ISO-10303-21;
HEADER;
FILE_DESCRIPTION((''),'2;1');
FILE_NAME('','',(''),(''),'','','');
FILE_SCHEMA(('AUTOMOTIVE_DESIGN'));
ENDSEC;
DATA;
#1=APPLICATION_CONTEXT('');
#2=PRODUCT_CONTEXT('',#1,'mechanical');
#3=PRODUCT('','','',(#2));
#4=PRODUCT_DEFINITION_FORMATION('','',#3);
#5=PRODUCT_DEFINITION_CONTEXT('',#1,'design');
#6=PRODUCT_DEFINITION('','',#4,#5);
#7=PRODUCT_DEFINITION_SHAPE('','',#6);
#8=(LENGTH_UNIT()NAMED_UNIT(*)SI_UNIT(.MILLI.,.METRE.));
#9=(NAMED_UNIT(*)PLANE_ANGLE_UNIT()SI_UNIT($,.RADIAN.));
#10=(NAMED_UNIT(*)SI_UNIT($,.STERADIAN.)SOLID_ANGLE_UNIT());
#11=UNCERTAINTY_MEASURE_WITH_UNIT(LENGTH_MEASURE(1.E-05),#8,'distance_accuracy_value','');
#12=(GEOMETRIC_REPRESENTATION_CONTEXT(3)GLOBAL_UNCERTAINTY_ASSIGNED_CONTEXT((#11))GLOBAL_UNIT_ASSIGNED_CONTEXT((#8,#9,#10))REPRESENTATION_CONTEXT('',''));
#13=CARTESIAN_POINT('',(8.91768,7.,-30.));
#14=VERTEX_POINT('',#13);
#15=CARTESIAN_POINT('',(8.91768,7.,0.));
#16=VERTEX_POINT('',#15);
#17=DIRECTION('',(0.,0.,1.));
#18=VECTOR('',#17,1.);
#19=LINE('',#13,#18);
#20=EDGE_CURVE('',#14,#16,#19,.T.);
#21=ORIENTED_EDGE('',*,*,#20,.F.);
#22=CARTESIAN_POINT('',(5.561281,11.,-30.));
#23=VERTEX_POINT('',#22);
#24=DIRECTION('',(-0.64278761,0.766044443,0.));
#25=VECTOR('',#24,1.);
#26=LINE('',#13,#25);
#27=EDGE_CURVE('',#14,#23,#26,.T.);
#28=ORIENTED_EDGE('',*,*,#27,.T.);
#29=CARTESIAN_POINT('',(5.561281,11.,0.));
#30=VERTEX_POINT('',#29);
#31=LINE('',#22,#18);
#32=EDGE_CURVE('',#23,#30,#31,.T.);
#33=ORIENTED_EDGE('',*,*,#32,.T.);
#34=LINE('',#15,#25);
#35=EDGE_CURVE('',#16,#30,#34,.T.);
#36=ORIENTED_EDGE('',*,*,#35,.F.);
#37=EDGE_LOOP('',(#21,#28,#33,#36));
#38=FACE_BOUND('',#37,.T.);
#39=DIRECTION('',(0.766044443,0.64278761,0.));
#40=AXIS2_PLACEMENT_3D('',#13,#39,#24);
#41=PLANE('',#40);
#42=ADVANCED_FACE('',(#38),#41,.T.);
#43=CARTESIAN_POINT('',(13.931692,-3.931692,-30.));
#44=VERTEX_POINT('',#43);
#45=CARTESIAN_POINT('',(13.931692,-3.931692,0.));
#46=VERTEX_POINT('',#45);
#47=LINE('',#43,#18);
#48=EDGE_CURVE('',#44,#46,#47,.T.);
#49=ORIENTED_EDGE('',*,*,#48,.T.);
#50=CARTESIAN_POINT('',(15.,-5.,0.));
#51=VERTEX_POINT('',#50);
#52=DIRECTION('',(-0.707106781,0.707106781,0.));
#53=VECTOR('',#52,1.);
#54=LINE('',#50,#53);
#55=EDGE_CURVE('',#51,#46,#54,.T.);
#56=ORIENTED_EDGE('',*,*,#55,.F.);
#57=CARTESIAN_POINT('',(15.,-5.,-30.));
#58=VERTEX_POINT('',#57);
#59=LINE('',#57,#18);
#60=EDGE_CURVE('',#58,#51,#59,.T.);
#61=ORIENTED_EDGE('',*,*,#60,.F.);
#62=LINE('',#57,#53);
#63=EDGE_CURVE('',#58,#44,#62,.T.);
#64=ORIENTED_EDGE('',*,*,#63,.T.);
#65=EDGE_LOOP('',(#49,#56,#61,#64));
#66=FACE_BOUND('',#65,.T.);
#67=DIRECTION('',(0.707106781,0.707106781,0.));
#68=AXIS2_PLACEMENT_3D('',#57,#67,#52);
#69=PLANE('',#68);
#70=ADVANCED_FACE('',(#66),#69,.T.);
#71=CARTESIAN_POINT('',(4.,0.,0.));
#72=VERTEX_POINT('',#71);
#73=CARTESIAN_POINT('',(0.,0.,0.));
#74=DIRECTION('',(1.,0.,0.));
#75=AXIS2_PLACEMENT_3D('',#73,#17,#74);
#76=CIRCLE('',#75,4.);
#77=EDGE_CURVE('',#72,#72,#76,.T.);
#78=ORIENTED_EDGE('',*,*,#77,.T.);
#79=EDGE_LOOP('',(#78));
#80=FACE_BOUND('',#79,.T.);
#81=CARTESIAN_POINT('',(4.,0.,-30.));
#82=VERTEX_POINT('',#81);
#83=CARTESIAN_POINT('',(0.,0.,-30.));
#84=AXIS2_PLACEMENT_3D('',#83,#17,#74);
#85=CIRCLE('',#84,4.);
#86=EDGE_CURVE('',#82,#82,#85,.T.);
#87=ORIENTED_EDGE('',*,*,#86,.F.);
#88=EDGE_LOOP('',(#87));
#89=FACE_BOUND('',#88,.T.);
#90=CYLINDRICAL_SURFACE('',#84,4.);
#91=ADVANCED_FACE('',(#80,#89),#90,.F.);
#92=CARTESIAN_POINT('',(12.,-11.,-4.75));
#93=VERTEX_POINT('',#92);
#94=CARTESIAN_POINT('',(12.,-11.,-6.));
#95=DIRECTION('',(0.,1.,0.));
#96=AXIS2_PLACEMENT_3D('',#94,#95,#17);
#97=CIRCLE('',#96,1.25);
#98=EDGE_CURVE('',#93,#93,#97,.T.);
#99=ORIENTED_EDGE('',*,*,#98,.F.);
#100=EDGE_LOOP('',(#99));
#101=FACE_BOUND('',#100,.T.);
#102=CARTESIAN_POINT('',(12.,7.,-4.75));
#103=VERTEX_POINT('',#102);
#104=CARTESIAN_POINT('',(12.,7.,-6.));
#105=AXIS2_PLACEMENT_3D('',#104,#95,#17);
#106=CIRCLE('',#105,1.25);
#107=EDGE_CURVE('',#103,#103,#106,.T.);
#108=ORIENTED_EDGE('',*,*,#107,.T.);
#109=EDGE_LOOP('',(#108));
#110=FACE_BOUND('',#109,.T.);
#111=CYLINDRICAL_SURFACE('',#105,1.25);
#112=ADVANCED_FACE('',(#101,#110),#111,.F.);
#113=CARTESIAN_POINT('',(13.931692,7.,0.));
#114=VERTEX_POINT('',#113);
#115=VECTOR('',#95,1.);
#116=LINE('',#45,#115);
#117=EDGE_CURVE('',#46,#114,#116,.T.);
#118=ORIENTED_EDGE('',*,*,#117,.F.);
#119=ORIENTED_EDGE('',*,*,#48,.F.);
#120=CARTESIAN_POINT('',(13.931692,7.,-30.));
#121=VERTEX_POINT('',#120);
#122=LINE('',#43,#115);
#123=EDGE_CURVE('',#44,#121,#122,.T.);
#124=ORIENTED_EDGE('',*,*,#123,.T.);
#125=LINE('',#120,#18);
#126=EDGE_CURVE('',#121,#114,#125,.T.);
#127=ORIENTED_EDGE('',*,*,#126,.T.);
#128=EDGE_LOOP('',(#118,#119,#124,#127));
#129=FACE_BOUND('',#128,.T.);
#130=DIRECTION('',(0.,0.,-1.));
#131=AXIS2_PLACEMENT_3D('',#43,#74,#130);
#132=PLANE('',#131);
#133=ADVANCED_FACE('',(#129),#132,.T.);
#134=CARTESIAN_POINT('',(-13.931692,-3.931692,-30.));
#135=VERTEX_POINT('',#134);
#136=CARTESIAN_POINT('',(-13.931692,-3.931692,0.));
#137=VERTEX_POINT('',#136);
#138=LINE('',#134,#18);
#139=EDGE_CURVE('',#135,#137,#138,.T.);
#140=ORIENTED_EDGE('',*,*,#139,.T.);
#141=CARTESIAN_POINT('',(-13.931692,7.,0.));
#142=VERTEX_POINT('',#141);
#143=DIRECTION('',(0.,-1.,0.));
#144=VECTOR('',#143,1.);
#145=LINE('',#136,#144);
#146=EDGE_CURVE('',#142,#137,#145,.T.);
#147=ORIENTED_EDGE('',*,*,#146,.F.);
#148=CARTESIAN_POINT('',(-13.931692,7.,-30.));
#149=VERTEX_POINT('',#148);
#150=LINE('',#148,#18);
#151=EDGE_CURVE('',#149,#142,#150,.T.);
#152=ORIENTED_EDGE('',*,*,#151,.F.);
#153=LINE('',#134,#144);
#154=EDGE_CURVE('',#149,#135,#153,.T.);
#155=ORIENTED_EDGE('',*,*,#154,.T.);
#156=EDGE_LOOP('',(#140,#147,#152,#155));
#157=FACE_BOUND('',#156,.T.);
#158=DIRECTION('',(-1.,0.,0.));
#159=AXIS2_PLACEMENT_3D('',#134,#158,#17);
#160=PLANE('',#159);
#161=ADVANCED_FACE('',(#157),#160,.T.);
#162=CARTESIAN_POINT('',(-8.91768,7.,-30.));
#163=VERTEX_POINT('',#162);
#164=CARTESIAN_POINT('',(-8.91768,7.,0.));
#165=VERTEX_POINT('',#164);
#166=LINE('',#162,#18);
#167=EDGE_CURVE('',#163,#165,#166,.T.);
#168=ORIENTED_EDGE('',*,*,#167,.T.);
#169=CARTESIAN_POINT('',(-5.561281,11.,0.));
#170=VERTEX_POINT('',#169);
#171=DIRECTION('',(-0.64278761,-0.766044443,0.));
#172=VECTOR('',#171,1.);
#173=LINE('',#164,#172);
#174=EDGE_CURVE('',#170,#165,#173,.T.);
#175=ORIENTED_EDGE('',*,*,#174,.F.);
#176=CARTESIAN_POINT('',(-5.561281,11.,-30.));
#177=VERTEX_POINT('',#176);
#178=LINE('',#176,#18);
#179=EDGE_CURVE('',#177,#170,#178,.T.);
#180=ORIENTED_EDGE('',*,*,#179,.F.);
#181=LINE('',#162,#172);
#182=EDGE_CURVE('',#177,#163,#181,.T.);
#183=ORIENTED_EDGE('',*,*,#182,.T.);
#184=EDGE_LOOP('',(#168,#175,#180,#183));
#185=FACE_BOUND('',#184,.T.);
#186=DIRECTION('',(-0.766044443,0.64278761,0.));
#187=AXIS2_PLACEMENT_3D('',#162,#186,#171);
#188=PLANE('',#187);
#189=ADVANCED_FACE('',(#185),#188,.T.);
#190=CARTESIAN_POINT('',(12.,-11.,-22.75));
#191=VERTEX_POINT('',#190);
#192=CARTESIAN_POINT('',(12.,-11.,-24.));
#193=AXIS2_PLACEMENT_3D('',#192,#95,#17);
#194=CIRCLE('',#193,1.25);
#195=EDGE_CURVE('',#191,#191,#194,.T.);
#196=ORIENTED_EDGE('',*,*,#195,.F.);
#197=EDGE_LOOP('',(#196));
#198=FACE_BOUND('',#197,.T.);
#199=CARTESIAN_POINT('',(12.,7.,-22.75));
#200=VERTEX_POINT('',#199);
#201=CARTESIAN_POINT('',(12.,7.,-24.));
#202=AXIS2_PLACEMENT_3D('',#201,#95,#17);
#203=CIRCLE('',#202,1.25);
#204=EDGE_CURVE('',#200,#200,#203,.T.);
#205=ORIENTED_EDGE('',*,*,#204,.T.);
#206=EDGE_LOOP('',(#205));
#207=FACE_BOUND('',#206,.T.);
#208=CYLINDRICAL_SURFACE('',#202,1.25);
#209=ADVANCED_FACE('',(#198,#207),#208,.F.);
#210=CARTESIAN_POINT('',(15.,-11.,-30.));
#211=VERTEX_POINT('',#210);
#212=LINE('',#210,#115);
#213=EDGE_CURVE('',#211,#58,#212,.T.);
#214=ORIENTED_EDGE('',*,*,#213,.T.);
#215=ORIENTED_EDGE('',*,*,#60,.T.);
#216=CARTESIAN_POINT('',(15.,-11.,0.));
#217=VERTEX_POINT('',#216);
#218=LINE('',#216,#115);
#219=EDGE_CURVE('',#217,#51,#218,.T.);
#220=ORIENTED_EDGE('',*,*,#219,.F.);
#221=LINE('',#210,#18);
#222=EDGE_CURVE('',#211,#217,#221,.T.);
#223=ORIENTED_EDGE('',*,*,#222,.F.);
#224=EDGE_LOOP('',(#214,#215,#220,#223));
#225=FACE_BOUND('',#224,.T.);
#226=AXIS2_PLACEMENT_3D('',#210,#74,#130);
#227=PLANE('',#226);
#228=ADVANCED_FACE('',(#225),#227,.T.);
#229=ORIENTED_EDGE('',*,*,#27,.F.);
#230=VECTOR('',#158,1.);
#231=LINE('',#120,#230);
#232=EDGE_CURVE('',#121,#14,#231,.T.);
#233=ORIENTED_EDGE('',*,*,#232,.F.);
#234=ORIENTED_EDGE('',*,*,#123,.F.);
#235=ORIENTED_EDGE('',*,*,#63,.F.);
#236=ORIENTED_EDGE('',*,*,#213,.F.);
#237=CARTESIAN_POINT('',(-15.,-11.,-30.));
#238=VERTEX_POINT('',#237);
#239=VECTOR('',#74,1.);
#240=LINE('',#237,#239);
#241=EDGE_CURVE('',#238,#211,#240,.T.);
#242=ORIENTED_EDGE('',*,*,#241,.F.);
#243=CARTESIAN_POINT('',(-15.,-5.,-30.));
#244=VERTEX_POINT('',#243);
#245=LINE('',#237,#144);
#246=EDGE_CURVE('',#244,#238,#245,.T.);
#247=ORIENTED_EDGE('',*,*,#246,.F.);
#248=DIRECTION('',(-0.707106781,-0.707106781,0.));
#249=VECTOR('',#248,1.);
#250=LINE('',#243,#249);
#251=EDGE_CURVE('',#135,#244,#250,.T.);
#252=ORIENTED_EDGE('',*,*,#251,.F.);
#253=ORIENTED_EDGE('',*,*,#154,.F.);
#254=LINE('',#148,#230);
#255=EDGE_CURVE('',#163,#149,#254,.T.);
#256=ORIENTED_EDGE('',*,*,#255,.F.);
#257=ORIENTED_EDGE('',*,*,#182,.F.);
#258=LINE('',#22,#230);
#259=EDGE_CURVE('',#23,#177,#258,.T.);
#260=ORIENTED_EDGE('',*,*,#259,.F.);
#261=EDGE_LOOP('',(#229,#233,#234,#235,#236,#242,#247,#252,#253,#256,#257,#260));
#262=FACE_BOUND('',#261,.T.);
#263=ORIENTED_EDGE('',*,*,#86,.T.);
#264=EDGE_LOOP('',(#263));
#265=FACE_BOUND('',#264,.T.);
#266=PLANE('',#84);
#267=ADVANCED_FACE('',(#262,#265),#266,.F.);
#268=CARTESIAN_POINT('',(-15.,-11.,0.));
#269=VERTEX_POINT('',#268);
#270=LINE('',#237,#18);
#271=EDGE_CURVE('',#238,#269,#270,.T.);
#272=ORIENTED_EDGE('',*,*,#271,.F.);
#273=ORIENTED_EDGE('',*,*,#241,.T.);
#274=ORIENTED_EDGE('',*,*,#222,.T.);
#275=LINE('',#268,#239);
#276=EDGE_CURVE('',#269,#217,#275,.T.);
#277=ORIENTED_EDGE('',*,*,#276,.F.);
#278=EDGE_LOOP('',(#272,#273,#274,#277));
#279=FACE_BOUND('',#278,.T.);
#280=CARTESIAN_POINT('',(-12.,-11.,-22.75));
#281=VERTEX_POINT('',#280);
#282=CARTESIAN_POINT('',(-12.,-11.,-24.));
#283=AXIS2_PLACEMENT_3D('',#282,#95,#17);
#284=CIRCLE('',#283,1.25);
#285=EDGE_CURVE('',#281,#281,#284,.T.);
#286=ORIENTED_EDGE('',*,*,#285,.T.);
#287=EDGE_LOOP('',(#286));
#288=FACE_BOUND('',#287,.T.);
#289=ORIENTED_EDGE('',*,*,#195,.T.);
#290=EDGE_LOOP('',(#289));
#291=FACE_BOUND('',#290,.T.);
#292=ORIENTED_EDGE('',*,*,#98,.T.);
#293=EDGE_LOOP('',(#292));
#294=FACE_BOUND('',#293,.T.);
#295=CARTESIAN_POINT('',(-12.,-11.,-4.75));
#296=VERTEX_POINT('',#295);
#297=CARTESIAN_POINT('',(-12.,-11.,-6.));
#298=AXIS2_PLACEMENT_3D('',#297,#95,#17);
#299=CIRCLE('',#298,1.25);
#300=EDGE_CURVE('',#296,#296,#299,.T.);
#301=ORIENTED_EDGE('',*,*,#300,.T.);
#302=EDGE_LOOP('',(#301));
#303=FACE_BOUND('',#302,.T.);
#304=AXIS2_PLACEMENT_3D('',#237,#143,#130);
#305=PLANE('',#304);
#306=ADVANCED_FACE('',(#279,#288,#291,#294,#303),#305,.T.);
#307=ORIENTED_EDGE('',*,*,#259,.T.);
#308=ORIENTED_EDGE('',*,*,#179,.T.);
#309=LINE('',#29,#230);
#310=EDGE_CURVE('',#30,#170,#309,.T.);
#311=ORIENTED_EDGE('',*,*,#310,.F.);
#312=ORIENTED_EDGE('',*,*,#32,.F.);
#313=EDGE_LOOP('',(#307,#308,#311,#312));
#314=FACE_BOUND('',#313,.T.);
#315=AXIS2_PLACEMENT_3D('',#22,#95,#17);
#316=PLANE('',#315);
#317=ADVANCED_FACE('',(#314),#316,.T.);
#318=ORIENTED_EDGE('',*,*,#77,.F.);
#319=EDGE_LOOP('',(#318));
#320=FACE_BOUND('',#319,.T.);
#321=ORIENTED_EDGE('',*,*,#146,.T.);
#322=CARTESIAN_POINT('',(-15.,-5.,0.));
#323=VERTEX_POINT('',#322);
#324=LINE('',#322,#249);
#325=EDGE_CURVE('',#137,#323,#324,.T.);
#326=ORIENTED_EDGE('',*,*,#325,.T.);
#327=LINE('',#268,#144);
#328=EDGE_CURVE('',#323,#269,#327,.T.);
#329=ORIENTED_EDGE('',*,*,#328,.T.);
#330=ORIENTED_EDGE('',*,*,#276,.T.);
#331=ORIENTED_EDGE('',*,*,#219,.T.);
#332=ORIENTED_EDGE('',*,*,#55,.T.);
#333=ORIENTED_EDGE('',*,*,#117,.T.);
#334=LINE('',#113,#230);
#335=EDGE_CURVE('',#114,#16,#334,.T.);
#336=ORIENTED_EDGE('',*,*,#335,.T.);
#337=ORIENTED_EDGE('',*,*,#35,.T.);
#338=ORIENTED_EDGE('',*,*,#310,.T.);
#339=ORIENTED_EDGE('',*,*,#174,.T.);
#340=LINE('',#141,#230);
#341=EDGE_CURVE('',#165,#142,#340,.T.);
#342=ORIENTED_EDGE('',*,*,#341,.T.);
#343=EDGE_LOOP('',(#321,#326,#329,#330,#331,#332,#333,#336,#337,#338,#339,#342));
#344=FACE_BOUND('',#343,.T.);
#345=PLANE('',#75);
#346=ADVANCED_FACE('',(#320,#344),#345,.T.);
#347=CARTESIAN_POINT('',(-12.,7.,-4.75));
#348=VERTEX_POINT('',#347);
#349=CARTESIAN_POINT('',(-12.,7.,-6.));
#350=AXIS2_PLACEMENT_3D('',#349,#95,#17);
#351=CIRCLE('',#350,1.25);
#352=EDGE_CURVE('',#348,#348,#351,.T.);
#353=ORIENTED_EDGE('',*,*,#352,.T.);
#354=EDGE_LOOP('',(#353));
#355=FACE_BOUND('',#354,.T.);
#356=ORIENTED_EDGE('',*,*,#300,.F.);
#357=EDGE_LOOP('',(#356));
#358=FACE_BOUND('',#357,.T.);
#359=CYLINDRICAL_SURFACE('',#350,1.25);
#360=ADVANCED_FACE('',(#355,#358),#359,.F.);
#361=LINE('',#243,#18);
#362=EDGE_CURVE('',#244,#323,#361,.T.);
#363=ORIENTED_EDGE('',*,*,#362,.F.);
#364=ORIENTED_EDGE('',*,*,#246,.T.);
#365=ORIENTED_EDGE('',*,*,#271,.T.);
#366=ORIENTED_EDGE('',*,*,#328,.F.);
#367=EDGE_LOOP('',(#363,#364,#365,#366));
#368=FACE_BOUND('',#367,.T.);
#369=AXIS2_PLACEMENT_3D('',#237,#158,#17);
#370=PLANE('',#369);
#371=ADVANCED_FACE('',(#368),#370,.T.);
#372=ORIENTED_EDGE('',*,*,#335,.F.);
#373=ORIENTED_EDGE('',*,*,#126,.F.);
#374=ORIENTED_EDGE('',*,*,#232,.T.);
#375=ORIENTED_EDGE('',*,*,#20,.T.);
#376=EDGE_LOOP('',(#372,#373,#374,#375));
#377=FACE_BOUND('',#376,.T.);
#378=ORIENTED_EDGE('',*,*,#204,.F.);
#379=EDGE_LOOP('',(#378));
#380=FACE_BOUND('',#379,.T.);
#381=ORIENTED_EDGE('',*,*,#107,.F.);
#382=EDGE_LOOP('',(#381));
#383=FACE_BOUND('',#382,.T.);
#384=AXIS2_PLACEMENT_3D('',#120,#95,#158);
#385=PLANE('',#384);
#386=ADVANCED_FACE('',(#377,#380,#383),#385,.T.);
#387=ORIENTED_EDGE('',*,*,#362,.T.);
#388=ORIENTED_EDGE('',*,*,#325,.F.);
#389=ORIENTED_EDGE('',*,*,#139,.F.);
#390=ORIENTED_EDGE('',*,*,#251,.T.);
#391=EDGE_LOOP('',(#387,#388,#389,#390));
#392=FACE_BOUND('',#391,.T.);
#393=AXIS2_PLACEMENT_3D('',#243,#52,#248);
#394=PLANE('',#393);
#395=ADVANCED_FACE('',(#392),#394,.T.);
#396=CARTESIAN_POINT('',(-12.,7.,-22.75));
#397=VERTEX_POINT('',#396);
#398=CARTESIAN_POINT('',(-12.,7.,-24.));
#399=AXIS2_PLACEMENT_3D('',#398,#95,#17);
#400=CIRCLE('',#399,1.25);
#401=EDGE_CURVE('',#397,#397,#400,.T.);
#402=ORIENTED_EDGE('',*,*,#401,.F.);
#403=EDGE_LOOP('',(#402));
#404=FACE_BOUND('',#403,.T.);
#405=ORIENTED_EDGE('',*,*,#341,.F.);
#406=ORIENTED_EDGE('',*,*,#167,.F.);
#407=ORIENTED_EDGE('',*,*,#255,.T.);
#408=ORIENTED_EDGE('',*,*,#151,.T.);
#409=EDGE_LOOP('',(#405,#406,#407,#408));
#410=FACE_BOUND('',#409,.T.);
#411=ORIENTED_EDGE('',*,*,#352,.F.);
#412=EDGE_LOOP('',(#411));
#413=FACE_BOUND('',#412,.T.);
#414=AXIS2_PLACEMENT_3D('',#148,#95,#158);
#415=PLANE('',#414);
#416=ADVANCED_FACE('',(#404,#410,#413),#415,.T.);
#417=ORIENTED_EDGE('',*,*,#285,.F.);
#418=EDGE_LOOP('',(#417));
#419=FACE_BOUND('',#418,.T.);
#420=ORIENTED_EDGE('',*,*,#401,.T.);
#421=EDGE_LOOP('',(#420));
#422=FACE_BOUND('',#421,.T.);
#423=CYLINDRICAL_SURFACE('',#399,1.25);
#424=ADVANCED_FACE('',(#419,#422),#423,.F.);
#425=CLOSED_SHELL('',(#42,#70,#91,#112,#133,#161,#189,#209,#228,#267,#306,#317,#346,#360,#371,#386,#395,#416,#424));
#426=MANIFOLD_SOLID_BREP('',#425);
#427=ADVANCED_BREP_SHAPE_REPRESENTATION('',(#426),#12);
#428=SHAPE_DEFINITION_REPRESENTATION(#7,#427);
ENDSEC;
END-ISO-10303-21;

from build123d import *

# Parameters (mm, degrees)
SKETCH1_R             = 4
BOSS_EXTRUDE1_DEPTH   = 30
F_2_5MM_DOWEL_HOLE1_D = 2.5


with BuildPart() as part:
    # Sketch1 → Boss-Extrude1 (new body)
    with BuildSketch(Plane.XY):
        Polygon((-15, -11), (15, -11), (15, -5), (13.93169164, -3.93169164), (13.93169164, 7), (8.917679795, 7), (5.56128127, 11), (-5.56128127, 11), (-8.917679795, 7), (-13.93169164, 7), (-13.93169164, -3.93169164), (-15, -5), align=None)
        Circle(SKETCH1_R, mode=Mode.SUBTRACT)
    extrude(amount=-BOSS_EXTRUDE1_DEPTH)

    # Ø2.5mm Dowel Hole1 (through all)
    with Locations(Plane(origin=(0, 7, 0), x_dir=(1, 0, 0), z_dir=(0, 1, 0))):
        with Locations((-12, 24), (-12, 6), (12, 6), (12, 24)):
            Hole(F_2_5MM_DOWEL_HOLE1_D / 2)


solid = part.part
